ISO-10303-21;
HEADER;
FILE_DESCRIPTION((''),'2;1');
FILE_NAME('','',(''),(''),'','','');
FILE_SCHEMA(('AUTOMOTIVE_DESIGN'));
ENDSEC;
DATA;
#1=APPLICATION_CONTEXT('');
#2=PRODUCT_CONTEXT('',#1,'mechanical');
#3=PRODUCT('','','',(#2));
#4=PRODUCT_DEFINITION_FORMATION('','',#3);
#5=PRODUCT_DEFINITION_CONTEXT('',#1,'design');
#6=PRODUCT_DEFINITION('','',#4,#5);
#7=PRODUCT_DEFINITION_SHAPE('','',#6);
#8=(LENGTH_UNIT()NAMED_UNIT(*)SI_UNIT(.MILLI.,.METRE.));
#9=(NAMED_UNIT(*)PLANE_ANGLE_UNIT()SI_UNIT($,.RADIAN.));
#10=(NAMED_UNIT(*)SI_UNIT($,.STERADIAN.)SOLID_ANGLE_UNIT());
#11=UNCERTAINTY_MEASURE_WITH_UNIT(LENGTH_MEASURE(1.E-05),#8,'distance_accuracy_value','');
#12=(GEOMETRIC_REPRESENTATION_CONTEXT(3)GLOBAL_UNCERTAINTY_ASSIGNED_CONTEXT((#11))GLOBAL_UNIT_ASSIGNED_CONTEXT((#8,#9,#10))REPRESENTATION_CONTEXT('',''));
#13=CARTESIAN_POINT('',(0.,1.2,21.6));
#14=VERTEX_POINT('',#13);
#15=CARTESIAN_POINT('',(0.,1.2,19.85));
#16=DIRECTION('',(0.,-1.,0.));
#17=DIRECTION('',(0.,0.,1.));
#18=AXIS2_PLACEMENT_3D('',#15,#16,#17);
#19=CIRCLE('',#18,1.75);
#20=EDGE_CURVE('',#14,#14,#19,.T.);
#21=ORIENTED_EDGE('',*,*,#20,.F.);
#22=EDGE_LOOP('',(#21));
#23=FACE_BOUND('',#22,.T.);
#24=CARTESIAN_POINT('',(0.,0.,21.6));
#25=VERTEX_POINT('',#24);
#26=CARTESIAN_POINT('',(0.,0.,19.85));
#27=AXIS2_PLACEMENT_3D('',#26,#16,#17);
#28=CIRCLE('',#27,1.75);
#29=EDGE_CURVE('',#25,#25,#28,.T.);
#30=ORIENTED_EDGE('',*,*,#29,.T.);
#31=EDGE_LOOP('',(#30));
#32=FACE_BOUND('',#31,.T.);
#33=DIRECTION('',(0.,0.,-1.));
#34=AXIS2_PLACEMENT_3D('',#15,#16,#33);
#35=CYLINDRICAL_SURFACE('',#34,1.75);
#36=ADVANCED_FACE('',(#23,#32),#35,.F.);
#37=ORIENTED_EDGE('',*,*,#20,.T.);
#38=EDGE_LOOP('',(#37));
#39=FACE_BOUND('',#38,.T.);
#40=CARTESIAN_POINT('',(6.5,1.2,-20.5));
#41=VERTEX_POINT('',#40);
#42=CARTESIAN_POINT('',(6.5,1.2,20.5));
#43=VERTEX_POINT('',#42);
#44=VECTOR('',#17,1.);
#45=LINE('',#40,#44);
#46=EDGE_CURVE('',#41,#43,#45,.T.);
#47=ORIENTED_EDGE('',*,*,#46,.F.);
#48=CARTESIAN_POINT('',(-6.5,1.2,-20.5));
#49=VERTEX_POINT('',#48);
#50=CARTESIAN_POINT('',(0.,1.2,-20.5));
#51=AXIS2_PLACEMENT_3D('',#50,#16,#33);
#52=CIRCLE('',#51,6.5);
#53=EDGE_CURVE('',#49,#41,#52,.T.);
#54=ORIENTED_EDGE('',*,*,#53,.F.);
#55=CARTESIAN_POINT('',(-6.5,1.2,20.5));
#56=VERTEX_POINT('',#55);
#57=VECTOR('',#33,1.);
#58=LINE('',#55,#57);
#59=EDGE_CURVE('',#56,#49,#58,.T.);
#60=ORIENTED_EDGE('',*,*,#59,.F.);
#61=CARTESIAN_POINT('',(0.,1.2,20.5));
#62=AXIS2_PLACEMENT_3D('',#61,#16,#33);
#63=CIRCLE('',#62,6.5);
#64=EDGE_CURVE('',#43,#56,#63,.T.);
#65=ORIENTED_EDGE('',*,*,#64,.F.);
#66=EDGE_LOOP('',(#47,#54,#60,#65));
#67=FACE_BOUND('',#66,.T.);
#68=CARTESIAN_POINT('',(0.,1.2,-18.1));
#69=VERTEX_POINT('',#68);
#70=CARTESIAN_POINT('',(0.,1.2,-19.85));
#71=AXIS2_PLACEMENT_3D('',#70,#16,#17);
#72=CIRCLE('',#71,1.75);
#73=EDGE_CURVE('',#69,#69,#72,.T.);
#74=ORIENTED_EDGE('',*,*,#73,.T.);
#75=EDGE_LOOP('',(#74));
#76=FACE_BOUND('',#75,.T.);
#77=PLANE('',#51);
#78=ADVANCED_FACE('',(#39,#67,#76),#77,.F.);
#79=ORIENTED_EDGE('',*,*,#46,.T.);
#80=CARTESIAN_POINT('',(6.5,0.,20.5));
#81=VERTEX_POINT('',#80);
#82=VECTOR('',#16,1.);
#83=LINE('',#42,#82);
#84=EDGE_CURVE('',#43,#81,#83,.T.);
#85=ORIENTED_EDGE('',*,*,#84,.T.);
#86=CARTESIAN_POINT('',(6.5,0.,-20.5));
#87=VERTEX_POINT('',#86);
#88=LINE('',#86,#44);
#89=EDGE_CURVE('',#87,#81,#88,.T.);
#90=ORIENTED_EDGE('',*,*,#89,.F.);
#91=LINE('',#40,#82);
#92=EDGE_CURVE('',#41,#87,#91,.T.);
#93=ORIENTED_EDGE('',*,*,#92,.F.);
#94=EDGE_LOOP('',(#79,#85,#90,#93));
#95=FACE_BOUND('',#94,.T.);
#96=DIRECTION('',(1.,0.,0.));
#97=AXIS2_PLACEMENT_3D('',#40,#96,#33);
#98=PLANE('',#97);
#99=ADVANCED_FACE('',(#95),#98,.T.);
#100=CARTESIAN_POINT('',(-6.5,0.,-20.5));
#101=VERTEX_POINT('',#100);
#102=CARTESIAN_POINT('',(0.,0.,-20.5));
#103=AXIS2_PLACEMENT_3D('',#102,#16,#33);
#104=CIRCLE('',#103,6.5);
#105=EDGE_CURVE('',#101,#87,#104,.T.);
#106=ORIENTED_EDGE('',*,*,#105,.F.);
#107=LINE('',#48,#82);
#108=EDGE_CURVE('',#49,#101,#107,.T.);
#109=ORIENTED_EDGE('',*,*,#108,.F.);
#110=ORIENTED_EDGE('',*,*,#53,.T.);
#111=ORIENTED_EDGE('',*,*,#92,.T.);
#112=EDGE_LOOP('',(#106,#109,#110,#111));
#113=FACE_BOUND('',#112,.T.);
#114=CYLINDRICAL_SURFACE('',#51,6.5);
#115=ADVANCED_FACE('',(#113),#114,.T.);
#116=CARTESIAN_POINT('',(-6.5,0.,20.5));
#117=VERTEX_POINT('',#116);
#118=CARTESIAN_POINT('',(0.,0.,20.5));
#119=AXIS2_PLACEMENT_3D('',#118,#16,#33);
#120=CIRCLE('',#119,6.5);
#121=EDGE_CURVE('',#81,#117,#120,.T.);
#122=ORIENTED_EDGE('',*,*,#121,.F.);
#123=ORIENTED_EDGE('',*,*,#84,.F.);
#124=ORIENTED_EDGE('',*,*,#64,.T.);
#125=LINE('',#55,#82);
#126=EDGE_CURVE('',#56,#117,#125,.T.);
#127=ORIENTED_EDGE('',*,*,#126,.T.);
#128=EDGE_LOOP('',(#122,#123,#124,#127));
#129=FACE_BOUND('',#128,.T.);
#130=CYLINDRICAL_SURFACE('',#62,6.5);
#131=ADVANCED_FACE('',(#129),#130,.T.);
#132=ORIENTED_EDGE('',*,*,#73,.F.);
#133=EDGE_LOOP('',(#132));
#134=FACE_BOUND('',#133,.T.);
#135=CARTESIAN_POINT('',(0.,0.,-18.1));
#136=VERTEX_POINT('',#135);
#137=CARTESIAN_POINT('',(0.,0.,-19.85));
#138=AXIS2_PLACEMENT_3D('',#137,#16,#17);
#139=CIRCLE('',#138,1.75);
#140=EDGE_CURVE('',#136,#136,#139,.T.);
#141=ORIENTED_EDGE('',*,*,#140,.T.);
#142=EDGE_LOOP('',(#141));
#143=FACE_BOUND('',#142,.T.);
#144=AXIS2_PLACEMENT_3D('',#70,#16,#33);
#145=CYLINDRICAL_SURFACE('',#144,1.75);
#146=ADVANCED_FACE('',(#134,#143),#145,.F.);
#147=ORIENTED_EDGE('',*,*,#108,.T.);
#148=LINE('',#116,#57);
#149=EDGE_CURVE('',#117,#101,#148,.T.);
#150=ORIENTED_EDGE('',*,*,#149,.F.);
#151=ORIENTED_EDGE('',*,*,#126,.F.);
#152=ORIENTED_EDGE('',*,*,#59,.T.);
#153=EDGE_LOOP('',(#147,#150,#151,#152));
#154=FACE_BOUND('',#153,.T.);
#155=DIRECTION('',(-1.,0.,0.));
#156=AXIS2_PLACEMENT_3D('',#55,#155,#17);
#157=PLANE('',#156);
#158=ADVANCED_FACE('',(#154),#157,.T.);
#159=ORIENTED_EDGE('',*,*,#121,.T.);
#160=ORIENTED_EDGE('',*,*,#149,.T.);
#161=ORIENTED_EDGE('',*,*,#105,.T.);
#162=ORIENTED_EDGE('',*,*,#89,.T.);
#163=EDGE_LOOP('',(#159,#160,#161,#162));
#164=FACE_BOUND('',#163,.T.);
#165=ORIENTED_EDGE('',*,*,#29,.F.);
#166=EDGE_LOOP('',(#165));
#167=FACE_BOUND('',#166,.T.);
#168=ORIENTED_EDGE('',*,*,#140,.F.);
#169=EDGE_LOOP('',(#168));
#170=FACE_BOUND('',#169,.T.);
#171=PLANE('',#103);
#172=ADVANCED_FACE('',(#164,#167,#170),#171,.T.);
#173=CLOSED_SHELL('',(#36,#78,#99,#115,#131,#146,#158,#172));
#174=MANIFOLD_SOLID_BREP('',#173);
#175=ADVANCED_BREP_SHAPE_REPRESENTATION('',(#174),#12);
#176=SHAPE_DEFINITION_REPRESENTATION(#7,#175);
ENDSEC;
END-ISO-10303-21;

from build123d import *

# Parameters (mm, degrees)
SKETCH_1_R      = 1.75
EXTRUDE_1_DEPTH = 1.2


with BuildPart() as part:
    # 草图1 → 凸台-拉伸1 (new body)
    with BuildSketch(Plane.XZ):
        with BuildLine():
            Line((6.5, -20.5), (6.5, 20.5))
            ThreePointArc((6.5, 20.5), (0, 27), (-6.5, 20.5))
            Line((-6.5, 20.5), (-6.5, -20.5))
            ThreePointArc((-6.5, -20.5), (0, -27), (6.5, -20.5))
        make_face()
        with Locations(Location((0, 19.85, 0), (0, 0, 90))):
            Circle(SKETCH_1_R, mode=Mode.SUBTRACT)
        with Locations(Location((0, -19.85, 0), (0, 0, 90))):
            Circle(SKETCH_1_R, mode=Mode.SUBTRACT)
    extrude(amount=-EXTRUDE_1_DEPTH)


solid = part.part
